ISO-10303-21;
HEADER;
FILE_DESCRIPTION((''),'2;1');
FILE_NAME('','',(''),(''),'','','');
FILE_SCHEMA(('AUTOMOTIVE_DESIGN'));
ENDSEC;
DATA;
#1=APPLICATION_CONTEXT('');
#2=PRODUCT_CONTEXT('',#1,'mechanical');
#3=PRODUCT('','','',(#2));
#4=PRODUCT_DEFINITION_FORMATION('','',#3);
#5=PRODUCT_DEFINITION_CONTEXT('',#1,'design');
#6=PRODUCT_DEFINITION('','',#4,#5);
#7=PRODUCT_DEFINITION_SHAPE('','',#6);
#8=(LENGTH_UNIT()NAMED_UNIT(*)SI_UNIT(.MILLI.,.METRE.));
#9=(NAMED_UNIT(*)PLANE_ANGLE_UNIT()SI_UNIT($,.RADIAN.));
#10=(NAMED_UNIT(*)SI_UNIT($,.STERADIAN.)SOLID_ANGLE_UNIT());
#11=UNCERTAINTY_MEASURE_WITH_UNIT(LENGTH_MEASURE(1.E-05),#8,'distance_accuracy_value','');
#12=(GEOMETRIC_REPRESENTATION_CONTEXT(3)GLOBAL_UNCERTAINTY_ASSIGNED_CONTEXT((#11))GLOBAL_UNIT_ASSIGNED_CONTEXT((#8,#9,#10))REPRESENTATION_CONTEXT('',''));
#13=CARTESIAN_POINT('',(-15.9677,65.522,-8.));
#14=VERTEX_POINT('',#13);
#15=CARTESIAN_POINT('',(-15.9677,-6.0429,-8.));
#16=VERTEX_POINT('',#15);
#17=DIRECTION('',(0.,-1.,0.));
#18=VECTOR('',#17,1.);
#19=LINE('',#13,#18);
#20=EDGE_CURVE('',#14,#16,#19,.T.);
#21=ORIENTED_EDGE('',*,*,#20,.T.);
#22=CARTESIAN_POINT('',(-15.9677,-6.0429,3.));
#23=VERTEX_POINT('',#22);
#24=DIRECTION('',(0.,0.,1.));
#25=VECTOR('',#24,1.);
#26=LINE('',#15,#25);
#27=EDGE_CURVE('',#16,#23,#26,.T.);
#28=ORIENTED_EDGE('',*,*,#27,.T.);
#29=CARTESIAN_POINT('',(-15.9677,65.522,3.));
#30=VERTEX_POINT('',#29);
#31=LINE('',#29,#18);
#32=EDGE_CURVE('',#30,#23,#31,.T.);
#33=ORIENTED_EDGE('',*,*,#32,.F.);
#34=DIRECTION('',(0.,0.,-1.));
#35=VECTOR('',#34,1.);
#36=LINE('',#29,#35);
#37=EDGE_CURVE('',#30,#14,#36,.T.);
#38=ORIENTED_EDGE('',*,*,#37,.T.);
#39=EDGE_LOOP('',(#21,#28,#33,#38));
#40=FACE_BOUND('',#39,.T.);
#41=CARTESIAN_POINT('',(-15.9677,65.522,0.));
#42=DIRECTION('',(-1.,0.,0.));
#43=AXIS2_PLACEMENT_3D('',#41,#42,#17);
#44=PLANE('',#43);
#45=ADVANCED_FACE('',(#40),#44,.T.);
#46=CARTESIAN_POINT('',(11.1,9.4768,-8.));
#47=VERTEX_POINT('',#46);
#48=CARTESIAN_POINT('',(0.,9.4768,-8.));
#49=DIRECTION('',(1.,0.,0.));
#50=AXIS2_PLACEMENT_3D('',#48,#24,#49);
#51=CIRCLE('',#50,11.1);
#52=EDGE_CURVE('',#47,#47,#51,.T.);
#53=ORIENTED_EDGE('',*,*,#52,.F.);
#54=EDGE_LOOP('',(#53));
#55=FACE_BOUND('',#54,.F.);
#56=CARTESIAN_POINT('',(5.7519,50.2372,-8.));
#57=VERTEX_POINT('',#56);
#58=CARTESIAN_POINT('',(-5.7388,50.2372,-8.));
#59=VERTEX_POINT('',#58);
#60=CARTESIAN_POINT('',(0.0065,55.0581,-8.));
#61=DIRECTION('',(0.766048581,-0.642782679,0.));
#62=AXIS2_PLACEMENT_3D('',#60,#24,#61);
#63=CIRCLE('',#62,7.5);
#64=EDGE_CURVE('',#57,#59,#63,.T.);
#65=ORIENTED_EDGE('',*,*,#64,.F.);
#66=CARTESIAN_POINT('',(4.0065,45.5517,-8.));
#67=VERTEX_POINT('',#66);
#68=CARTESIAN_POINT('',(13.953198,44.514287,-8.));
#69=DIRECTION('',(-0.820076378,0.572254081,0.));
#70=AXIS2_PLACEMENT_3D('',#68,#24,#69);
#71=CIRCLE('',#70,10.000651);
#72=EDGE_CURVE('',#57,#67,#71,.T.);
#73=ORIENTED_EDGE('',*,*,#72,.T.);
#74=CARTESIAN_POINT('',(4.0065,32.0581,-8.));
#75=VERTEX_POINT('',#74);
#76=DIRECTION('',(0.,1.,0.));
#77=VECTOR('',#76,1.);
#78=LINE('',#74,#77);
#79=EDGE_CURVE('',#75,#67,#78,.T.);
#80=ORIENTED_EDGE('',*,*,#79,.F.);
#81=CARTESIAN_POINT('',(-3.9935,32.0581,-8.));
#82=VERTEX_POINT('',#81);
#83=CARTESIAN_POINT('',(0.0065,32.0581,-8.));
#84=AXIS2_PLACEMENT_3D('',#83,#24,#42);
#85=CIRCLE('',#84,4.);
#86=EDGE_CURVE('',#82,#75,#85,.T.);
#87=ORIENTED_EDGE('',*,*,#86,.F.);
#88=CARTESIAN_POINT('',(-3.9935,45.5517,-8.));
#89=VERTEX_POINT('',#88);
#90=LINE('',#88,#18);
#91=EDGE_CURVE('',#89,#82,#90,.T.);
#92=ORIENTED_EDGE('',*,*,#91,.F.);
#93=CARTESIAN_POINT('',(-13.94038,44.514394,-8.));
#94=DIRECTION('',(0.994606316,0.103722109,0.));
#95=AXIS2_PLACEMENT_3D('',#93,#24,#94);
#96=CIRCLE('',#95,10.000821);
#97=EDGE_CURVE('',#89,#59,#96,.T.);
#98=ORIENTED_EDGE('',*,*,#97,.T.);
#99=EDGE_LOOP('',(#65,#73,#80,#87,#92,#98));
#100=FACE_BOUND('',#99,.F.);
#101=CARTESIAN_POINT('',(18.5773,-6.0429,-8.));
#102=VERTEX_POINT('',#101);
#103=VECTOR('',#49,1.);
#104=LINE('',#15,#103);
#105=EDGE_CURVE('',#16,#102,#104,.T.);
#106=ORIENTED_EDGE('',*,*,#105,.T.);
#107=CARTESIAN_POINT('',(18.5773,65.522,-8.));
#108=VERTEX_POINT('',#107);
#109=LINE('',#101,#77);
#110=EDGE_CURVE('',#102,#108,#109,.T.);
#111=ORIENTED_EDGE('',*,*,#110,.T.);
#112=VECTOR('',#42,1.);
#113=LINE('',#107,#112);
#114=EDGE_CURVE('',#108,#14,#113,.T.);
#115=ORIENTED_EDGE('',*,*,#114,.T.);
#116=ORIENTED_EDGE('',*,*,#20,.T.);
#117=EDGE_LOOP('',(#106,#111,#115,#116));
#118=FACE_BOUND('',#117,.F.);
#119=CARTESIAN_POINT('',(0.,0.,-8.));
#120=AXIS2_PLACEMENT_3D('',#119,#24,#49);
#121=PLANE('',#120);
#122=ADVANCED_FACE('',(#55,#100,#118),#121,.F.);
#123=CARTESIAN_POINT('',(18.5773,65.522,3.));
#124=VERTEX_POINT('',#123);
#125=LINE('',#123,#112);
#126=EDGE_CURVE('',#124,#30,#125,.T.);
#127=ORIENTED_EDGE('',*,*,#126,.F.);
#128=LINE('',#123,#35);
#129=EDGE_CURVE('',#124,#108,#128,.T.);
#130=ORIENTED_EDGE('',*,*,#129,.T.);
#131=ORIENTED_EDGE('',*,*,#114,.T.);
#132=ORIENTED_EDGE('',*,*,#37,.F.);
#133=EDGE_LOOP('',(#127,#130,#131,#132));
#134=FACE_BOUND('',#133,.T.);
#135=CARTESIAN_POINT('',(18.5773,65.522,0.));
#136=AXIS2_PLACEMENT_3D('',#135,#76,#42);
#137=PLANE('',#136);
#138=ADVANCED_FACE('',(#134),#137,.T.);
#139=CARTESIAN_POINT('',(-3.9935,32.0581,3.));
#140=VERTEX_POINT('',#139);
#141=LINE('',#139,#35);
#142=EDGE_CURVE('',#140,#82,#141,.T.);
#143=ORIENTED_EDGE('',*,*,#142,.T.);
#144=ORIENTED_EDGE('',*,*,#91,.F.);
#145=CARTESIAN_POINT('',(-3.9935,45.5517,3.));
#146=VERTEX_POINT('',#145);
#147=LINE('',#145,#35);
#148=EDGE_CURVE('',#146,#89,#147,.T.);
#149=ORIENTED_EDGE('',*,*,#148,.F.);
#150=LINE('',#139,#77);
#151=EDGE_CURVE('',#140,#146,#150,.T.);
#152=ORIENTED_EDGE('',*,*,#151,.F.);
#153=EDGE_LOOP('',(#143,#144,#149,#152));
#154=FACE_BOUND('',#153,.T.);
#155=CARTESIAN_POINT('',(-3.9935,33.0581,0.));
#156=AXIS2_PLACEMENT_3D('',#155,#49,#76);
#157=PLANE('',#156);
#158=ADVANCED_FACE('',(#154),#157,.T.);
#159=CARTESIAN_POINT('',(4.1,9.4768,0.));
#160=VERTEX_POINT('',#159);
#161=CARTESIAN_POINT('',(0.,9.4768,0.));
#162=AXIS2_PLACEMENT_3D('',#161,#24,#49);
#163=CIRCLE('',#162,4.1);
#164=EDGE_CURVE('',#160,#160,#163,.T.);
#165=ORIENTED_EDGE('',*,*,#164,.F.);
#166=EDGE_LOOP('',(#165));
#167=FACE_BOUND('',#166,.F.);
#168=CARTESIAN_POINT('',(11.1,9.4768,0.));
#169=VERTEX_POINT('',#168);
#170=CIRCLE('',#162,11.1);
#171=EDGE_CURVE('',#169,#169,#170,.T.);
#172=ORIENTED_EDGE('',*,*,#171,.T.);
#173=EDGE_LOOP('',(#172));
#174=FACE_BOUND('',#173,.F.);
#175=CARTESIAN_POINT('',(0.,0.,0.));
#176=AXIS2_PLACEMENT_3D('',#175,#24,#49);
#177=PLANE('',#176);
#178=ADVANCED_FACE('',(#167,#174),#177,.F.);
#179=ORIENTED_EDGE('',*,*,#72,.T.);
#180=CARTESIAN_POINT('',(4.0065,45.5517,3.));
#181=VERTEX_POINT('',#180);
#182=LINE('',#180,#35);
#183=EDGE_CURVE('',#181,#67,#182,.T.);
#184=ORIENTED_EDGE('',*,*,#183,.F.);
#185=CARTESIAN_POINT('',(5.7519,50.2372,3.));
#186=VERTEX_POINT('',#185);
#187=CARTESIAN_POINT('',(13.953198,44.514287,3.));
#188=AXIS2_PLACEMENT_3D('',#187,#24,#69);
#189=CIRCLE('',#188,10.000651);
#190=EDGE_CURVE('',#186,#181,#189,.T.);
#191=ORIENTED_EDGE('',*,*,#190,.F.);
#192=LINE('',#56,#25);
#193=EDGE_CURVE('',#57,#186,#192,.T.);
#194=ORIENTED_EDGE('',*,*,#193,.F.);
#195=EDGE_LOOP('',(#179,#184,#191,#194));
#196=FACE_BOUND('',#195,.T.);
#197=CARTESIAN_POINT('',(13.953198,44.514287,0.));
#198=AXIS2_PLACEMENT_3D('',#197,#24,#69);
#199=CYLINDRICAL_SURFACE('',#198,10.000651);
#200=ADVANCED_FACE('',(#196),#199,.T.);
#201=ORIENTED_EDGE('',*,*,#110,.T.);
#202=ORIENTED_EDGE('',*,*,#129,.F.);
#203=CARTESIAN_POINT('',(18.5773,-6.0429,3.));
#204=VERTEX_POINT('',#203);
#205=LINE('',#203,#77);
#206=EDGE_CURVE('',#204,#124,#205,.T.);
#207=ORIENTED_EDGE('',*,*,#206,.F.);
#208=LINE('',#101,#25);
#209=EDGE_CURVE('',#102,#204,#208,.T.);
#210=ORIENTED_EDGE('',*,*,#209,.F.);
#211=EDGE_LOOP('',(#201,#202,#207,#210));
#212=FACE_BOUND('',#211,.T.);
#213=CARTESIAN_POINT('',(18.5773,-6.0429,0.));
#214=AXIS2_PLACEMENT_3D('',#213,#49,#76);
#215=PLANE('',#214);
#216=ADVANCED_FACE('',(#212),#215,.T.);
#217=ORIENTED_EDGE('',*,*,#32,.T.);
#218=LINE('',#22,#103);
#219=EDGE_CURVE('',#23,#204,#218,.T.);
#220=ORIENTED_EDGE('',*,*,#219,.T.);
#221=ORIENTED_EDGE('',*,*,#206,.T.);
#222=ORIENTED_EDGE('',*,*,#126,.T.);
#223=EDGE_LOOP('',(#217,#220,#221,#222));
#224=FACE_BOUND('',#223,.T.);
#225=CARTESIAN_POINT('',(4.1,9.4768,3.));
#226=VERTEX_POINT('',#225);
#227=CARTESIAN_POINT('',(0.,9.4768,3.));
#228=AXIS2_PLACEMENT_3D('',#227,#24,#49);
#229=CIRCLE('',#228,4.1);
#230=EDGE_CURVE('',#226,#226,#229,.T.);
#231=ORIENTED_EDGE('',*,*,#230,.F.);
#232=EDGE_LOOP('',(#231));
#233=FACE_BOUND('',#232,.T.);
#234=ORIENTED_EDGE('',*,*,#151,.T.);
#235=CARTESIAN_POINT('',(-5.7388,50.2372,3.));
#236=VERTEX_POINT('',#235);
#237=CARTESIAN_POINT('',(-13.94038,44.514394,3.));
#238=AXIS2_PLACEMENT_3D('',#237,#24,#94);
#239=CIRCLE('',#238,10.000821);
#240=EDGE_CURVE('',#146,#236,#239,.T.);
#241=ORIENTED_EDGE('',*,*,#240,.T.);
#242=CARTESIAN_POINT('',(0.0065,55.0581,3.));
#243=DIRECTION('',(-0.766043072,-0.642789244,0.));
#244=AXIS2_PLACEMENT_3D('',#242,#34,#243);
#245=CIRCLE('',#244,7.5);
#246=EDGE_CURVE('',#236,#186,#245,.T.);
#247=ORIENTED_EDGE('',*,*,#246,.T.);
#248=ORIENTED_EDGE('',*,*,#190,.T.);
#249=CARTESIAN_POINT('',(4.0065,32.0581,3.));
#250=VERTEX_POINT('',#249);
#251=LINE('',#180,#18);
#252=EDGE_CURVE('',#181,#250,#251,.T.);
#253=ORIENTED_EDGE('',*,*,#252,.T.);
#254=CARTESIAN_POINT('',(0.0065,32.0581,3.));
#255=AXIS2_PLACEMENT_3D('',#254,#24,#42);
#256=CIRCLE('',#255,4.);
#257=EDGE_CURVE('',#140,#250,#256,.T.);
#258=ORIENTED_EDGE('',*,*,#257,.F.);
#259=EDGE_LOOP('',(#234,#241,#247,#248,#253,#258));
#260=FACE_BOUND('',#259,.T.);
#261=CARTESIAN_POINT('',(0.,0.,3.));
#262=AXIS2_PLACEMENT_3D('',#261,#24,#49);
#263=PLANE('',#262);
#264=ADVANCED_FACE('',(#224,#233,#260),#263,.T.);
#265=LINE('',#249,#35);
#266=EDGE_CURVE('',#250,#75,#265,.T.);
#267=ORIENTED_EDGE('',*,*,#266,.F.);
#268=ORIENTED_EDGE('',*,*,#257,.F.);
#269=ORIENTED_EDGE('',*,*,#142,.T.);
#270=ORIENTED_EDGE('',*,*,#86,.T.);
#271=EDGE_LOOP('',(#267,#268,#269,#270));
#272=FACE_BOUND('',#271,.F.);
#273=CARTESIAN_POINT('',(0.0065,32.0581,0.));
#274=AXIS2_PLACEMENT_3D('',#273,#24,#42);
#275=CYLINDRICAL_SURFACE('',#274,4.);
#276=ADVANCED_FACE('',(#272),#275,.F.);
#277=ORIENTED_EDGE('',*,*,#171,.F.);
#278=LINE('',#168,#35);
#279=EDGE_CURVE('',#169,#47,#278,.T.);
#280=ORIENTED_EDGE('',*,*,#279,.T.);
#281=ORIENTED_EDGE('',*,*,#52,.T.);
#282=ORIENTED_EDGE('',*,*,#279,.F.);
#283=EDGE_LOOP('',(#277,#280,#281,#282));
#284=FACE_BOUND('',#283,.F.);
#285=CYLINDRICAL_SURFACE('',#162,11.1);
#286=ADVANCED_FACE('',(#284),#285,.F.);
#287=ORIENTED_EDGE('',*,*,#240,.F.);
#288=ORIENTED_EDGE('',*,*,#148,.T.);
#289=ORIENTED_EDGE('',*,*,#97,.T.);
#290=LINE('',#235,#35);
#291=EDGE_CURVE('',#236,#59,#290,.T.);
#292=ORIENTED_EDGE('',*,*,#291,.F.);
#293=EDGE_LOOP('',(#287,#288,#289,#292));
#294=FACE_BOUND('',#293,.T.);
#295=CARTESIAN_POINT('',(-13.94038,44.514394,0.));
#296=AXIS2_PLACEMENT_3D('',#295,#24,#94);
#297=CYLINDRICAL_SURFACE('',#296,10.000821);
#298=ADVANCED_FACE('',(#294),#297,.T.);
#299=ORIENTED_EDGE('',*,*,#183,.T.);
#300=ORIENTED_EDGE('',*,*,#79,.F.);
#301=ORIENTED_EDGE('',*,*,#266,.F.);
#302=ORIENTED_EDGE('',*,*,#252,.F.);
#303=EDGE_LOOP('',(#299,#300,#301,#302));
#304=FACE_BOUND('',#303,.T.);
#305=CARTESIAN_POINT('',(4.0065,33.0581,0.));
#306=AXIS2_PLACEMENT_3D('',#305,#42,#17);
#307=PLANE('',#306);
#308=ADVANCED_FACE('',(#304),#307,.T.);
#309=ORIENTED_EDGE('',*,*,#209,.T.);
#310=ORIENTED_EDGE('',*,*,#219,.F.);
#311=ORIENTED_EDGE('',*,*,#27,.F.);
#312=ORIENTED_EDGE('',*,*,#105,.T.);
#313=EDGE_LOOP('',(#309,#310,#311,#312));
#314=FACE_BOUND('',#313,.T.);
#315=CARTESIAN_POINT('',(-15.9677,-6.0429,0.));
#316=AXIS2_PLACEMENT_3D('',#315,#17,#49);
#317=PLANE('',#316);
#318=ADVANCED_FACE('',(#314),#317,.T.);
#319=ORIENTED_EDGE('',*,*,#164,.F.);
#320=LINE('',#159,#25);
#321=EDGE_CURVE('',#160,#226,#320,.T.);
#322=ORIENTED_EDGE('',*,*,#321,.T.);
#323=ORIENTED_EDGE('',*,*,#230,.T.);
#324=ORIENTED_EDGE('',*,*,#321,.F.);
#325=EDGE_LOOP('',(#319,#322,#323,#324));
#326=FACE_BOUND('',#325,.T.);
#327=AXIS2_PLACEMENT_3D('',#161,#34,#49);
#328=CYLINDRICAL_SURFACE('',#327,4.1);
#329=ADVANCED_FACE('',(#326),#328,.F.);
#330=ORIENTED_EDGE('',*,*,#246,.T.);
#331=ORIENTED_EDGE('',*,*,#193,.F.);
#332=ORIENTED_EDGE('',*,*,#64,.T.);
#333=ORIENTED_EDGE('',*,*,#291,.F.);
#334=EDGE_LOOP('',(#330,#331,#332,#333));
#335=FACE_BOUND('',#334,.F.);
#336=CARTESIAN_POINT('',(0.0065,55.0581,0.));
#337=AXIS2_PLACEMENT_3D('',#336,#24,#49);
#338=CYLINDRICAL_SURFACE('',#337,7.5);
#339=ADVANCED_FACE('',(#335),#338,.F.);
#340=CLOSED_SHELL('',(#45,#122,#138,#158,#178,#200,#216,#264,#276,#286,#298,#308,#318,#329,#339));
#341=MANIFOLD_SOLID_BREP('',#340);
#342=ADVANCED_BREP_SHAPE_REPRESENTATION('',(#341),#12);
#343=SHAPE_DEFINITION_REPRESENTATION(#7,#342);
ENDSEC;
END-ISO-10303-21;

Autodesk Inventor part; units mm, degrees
ref_plane "YZ Plane" through (0, 0, 0) normal (1, 0, 0) x (0, 1, 0)
ref_plane "XZ Plane" through (0, 0, 0) normal (0, 1, 0) x (-1, 0, 0)
ref_plane "XY Plane" through (0, 0, 0) normal (0, 0, 1) x (1, 0, 0)
sketch "Sketch1" plane through (0, 0, 0) normal (0, 0, 1) x (1, 0, 0)
  circle A0 centre (0, 9.4768) radius 4.1
  circle A1 centre (0, 9.4768) radius 11.1
  arc A2 (5.7519, 50.2372) -> (4.0065, 45.5517) centre (13.9526, 44.5146) ccw
  arc A3 (-3.9935, 45.5517) -> (-5.7388, 50.2372) centre (-13.9395, 44.5146) ccw
  line L0 (4.0065, 55.0581) -> (4.0065, 33.0581)
  line L1 (-3.9935, 33.0581) -> (-3.9935, 55.0581)
  line L2 (-3.9935, 55.0581) -> (4.0065, 55.0581)
  line L3 (0.0065, 55.0581) -> (5.7519, 50.2372)
  line L4 (0.0065, 55.0581) -> (0.0065, 47.5581) construction
  line L5 (0.0065, 55.0581) -> (-5.7388, 50.2372)
  circle A4 centre (0.0065, 55.0581) radius 7.5
  line L6 (4.0065, 33.0581) -> (-3.9935, 33.0581)
  line L7 (0.0065, 55.0581) -> (0.0065, 32.0581) construction
  line L8 (4.0065, 55.0581) -> (4.0065, 32.0581)
  line L9 (-3.9935, 32.0581) -> (-3.9935, 55.0581)
  arc A5 (4.0065, 55.0581) -> (-3.9935, 55.0581) centre (0.0065, 55.0581) ccw
  arc A6 (-3.9935, 32.0581) -> (4.0065, 32.0581) centre (0.0065, 32.0581) ccw
  line L10 (-15.9677, -6.0429) -> (18.5773, -6.0429)
  line L11 (18.5773, -6.0429) -> (18.5773, 65.522)
  line L12 (18.5773, 65.522) -> (-15.9677, 65.522)
  line L13 (-15.9677, 65.522) -> (-15.9677, -6.0429)
  point P0 (0, 0)
  point P1 (0.0065, 55.0581)
  point P2 (0.0065, 55.0581)
  point P3 (0.0065, 43.5581)
  point P4 (-3.9935, 45.5517)
  dimension "d2" = 15
  dimension "d0" = 8.2
  dimension "d1" = 22.2
  dimension "d3" = 22
  dimension "d4" = 8
  dimension "d5" = 50
  dimension "d6" = 5
  dimension "d7" = 10
  dimension "d8" = 23
extrude "Extrusion1" add sketch "Sketch1" along normal blind 3 contours A1 | L13 L12 L11 L10
extrude "Extrusion2" add sketch "Sketch1" against normal blind 8 contours L13 L12 L11 L10
properties part number "Prueba3D"
